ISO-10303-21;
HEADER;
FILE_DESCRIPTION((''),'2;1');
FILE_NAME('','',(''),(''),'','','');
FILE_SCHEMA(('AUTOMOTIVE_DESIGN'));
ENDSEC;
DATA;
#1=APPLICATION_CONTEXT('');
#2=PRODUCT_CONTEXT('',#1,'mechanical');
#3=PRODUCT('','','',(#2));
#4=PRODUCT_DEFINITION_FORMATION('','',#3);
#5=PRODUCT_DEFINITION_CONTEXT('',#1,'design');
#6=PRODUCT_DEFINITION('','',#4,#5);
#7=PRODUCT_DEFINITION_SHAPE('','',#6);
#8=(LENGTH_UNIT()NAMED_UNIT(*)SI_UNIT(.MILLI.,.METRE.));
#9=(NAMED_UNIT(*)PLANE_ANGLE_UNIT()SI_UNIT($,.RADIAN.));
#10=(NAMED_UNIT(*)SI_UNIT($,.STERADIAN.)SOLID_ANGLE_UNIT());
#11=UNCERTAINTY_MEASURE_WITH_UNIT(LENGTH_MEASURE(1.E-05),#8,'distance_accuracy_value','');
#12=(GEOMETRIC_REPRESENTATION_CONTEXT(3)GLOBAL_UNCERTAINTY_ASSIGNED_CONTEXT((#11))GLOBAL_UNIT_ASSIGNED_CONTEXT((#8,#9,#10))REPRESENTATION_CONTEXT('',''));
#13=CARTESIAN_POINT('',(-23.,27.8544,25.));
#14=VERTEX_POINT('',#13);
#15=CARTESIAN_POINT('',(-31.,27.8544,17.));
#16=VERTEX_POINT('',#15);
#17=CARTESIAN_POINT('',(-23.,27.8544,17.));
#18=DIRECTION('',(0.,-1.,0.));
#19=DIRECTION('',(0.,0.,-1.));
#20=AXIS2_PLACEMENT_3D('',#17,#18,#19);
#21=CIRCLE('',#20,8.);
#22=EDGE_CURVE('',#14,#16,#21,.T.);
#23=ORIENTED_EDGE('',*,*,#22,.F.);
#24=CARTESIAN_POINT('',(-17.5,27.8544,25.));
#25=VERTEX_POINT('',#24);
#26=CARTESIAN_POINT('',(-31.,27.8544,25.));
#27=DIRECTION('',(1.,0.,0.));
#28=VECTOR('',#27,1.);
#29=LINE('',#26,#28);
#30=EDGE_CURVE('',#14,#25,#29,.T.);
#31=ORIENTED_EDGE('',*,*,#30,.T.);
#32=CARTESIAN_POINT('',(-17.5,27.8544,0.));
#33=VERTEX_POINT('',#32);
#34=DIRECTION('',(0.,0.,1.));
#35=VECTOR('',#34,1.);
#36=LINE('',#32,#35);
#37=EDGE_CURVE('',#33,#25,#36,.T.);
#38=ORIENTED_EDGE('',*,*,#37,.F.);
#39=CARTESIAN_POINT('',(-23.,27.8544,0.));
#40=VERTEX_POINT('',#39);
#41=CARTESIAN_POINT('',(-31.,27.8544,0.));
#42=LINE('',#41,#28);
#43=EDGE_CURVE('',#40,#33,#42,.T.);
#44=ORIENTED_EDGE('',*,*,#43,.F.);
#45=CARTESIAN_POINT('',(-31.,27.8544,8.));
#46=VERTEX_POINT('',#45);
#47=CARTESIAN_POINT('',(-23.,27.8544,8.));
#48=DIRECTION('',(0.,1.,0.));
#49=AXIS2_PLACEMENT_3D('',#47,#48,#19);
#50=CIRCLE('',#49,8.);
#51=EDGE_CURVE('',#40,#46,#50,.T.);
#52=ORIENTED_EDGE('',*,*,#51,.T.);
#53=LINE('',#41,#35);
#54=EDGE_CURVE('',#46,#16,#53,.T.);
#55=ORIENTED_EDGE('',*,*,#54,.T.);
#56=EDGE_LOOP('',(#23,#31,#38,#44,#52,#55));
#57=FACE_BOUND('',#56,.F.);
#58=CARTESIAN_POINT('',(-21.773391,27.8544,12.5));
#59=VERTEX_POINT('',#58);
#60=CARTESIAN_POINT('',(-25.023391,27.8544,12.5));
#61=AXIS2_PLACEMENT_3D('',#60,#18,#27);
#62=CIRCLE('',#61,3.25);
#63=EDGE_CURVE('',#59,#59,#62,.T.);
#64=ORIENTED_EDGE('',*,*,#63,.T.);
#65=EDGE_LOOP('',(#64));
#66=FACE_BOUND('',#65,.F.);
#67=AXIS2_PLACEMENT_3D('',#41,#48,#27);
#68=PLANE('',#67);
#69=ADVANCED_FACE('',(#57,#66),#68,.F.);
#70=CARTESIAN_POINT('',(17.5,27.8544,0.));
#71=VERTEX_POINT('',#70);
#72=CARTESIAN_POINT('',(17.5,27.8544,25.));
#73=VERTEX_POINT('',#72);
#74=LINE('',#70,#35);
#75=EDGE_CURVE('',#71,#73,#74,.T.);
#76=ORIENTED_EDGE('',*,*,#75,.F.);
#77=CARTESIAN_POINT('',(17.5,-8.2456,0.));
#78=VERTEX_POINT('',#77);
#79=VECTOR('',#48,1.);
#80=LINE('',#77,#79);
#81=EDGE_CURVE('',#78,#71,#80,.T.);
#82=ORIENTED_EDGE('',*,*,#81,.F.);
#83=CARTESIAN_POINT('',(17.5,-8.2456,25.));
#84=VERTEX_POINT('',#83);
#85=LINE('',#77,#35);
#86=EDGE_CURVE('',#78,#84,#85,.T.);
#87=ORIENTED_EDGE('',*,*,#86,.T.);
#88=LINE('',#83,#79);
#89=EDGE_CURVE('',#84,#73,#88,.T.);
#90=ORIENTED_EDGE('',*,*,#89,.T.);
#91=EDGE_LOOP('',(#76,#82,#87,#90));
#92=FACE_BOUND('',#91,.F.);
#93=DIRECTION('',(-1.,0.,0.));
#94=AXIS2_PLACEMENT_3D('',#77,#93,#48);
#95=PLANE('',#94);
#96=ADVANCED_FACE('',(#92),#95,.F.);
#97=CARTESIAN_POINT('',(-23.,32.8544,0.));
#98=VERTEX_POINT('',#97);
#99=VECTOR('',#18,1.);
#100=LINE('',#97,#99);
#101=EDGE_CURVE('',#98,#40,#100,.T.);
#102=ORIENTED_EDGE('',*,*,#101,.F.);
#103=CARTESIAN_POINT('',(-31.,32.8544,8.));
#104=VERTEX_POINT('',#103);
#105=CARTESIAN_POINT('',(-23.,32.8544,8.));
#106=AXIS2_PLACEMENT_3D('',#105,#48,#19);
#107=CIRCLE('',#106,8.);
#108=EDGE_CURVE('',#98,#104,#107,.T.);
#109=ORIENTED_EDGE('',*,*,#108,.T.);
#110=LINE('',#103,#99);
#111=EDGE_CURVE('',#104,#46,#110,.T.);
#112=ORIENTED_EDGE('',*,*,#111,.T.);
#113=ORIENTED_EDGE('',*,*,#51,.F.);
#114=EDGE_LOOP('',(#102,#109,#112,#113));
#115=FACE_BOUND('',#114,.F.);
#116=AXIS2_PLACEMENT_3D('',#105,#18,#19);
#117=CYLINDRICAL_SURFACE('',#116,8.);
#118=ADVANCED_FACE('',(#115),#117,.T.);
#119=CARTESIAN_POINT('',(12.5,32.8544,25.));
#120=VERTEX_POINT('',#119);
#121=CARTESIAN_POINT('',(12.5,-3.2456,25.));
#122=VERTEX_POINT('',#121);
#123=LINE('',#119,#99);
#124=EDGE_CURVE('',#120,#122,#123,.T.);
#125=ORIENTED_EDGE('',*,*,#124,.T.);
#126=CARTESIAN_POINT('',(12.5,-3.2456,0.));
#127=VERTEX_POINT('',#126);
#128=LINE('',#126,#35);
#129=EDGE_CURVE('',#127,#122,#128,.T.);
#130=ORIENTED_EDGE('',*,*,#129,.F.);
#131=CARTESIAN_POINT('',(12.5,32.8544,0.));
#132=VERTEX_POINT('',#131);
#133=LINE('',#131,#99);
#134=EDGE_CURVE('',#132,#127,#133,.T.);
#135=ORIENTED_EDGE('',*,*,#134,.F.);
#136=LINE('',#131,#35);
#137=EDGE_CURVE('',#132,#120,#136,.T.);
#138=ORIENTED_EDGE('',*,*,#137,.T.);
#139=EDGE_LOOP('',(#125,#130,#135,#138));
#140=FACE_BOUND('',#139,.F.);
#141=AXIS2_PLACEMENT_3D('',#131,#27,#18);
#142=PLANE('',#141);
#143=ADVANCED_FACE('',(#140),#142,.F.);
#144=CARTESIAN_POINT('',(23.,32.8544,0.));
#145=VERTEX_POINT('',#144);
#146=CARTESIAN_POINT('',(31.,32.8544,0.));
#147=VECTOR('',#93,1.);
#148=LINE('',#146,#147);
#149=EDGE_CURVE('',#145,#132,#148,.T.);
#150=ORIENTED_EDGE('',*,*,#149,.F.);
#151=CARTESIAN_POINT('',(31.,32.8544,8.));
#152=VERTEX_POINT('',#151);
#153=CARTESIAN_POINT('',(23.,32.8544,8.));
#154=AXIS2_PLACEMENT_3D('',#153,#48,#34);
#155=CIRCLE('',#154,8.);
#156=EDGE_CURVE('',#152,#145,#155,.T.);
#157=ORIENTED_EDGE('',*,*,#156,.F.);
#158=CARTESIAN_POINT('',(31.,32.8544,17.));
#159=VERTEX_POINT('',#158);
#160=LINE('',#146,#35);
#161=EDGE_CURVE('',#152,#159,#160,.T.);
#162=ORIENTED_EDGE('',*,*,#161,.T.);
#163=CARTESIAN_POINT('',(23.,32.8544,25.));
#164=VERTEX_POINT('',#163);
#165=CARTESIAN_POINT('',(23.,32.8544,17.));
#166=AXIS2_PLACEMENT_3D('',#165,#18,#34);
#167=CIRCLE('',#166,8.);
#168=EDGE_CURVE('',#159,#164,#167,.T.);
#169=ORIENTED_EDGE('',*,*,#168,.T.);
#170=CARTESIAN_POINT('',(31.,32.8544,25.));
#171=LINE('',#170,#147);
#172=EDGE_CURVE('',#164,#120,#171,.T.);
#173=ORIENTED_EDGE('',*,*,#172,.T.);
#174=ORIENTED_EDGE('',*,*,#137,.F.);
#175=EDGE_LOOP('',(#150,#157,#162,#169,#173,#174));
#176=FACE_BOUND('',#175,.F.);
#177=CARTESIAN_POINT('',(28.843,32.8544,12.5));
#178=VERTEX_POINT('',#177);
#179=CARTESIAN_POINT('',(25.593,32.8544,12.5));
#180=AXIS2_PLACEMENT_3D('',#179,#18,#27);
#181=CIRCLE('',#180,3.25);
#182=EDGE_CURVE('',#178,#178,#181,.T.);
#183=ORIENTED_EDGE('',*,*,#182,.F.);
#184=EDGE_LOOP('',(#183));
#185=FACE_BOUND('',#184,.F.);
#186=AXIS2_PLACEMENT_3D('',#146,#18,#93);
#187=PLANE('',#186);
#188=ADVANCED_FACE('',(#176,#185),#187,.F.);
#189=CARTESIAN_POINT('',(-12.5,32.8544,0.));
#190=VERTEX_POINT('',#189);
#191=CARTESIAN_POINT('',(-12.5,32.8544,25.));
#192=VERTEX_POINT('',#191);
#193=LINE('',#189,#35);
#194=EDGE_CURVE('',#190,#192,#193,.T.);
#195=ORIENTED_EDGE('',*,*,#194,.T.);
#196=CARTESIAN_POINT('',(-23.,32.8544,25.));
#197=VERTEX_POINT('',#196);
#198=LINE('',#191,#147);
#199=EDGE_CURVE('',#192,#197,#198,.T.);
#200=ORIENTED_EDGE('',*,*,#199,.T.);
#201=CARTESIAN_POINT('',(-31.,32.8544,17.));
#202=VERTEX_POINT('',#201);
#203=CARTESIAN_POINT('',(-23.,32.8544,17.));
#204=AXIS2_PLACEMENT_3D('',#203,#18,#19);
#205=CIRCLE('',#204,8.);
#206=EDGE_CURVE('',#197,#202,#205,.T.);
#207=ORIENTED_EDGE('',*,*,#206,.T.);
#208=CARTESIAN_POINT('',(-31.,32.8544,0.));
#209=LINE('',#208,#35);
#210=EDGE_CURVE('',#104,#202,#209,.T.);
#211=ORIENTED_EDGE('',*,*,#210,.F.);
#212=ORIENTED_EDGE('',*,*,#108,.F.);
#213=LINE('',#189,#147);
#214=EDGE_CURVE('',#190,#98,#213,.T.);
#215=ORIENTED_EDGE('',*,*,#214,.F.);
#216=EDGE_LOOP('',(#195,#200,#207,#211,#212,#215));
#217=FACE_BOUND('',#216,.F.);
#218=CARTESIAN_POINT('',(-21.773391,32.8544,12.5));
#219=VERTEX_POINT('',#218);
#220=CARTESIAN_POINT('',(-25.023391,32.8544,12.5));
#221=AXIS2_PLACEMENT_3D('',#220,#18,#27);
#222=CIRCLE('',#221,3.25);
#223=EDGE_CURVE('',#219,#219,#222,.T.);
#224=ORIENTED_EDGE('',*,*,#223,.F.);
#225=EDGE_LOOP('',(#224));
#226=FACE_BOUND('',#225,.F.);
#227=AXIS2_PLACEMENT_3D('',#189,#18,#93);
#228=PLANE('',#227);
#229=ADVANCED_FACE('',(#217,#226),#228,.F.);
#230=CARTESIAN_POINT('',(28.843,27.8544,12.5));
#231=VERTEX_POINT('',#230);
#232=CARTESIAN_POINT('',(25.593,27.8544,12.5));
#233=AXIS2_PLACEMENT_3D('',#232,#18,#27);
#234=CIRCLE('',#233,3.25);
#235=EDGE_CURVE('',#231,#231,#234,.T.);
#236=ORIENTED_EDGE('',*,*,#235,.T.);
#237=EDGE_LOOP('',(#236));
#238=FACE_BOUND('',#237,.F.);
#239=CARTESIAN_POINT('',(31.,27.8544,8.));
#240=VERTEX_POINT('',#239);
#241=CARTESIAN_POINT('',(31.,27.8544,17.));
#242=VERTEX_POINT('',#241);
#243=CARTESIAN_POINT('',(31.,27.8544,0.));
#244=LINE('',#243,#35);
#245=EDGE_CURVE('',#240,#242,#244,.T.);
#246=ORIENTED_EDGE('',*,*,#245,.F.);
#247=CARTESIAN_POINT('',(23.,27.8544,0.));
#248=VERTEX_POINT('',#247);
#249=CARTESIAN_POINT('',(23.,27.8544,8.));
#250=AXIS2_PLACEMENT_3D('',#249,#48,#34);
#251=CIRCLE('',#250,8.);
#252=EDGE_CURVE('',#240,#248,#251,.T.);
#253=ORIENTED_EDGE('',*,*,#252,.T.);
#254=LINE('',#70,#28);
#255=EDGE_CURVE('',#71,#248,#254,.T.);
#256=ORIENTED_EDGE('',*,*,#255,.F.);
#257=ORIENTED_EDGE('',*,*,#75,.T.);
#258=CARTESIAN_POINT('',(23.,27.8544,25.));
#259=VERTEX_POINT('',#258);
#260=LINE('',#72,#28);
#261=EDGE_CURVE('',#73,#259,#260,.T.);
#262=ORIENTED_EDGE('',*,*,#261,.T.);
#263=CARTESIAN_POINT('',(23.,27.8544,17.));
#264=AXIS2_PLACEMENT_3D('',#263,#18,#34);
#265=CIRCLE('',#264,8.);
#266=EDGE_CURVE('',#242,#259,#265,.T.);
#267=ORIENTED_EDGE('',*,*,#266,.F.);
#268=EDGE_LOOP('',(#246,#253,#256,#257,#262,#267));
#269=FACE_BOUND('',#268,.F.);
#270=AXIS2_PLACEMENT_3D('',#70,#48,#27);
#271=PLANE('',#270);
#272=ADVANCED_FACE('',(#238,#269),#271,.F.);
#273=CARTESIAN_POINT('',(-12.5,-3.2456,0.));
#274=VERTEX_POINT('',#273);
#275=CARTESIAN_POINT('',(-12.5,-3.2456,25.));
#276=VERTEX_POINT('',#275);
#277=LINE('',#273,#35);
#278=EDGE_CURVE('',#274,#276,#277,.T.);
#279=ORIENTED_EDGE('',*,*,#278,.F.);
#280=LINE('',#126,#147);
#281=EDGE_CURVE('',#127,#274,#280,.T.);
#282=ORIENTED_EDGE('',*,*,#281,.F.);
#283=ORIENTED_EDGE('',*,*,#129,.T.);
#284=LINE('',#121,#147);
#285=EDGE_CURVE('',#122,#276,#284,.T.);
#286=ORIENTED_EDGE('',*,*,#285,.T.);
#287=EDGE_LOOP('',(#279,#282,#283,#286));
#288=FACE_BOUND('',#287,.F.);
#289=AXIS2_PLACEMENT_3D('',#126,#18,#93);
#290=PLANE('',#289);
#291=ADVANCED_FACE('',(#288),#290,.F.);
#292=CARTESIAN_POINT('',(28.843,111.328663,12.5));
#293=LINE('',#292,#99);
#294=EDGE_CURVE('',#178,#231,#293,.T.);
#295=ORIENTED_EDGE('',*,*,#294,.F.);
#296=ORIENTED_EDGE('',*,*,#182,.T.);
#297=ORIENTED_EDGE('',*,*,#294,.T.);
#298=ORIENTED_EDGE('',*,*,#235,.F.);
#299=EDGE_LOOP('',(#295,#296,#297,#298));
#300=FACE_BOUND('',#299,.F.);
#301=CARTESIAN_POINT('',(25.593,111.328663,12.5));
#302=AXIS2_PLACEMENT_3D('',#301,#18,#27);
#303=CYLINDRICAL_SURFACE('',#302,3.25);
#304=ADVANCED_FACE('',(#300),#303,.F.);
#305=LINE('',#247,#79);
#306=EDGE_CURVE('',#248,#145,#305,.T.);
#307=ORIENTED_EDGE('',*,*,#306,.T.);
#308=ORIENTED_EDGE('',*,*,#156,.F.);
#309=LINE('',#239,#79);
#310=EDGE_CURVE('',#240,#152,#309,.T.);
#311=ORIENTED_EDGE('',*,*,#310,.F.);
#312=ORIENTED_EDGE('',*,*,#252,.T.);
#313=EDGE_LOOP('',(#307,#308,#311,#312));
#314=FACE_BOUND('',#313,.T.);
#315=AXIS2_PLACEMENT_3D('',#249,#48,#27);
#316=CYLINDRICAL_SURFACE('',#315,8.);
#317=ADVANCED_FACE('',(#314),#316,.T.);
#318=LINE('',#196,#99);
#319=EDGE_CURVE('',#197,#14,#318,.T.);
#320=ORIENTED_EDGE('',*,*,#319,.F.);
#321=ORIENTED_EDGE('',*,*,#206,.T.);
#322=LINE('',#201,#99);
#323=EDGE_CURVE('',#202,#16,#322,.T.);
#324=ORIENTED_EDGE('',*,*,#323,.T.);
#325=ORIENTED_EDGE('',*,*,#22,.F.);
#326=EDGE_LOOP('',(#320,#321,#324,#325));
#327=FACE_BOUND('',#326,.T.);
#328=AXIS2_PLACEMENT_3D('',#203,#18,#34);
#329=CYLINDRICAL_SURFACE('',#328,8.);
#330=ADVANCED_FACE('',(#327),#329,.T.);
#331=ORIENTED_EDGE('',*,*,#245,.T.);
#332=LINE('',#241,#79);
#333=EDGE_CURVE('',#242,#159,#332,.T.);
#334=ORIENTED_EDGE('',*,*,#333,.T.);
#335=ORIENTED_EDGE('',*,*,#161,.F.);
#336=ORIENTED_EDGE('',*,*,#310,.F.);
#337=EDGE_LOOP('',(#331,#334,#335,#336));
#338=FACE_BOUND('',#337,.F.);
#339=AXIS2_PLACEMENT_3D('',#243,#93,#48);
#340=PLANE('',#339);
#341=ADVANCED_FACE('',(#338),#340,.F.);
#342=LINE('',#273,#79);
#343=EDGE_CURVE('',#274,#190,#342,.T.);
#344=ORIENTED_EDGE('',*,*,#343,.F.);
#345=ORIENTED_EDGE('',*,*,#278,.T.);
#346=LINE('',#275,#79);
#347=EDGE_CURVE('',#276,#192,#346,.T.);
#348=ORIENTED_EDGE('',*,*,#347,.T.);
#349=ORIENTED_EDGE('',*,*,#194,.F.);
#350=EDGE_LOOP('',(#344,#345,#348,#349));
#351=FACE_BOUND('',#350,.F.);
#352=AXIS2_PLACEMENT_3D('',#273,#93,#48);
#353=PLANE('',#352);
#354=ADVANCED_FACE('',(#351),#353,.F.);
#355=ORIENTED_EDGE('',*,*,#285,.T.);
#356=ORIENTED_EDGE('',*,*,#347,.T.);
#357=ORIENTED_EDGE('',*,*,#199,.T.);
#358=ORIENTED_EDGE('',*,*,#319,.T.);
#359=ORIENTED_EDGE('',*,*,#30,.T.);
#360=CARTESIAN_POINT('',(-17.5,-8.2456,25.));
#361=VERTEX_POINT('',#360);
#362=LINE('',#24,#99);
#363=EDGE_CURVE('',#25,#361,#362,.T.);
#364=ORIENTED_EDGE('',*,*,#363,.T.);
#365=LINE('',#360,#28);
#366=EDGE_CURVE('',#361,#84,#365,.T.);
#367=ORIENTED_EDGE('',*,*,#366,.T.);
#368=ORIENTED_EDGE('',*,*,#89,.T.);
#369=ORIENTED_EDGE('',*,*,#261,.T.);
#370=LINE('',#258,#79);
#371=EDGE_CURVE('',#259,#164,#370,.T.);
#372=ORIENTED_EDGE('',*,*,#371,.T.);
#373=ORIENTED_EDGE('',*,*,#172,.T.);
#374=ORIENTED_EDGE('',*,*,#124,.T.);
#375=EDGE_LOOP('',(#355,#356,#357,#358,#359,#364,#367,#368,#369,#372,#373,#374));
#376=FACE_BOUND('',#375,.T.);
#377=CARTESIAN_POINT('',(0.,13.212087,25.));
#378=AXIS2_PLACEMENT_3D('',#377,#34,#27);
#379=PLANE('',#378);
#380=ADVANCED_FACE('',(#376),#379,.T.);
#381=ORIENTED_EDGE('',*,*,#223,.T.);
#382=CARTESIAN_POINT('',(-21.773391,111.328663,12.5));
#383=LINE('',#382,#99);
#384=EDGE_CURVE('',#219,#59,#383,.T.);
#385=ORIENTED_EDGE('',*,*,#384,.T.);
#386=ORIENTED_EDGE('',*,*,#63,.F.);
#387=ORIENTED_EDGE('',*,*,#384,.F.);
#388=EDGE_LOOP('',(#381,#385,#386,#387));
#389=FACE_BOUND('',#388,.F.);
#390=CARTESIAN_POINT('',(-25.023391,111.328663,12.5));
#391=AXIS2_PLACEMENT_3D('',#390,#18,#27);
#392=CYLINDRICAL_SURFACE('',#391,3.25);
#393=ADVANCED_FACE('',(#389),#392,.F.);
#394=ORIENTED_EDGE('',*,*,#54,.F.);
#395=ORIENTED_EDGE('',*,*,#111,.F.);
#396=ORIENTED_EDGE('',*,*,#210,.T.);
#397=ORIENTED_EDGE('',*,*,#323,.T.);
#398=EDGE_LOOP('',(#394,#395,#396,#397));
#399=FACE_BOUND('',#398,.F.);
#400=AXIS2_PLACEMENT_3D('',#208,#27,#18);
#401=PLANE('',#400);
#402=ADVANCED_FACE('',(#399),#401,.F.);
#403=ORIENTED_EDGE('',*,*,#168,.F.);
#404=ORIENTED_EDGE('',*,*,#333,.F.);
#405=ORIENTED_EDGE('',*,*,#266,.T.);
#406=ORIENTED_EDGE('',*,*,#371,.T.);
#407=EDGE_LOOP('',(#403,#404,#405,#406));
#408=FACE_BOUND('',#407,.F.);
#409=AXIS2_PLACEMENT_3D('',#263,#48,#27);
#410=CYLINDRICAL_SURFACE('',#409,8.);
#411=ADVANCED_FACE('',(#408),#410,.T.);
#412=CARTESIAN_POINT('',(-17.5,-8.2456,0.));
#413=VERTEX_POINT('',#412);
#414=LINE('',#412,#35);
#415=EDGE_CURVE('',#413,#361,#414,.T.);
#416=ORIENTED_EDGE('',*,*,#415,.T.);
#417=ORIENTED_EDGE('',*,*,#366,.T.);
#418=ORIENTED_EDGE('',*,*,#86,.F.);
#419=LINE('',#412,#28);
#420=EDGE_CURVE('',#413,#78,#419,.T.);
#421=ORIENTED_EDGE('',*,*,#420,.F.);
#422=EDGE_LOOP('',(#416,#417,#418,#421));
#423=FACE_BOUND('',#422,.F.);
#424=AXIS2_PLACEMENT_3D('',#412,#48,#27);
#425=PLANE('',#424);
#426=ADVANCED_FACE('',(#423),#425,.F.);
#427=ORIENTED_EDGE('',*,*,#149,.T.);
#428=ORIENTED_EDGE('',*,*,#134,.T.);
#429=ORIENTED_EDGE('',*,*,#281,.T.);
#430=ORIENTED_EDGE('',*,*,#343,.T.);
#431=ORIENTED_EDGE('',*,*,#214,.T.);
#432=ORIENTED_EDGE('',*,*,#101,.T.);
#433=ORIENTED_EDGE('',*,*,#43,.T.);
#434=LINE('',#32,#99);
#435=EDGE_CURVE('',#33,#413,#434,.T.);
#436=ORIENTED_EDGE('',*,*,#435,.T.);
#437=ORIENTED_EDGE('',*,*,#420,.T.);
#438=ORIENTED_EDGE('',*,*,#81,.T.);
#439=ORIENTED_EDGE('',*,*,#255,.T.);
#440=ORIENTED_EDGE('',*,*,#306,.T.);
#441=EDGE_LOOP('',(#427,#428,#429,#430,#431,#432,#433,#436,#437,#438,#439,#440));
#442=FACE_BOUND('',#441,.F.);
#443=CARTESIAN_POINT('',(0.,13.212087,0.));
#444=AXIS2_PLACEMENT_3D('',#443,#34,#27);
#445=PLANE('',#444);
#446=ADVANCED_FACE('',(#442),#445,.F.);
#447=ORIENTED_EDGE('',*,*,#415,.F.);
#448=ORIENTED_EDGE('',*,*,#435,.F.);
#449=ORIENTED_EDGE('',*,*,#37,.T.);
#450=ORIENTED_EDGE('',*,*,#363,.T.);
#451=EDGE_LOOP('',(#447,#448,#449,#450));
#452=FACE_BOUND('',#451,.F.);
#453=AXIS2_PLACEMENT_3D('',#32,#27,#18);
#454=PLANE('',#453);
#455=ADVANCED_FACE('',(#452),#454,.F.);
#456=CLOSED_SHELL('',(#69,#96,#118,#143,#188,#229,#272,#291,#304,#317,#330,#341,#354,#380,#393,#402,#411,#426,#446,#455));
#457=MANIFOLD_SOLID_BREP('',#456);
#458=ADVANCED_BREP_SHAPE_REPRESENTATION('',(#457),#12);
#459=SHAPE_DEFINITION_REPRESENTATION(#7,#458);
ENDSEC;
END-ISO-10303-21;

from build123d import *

# Parameters (mm, degrees)
F1_DEPTH = 25
F3_D     = 6.5
F4_D     = 6.5
F5_R     = 8


with BuildPart() as f1:
    # F0 (on Top) → F1 (new body)
    with BuildSketch(Plane.XY):
        Polygon((31, 27.8544), (31, 32.8544), (12.5, 32.8544), (12.5, -3.2456), (0, -3.2456), (-12.5, -3.2456), (-12.5, 32.8544), (-31, 32.8544), (-31, 27.8544), (-17.5, 27.8544), (-17.5, -8.2456), (0, -8.2456), (17.5, -8.2456), (17.5, 27.8544), align=None)
    extrude(amount=F1_DEPTH)

    # F3 (through all)
    with Locations(Plane(origin=(0, 32.8544, 0), x_dir=(-1, 0, 0), z_dir=(0, 1, 0))):
        with Locations((25.023391, 12.5)):
            Hole(F3_D / 2)

    # F4 (through all)
    with Locations(Plane(origin=(0, 32.8544, 0), x_dir=(-1, 0, 0), z_dir=(0, 1, 0))):
        with Locations((-25.593, 12.5)):
            Hole(F4_D / 2)

    # F5
    f5_edges = [f1.edges().sort_by_distance(p)[0] for p in [
        (-31, 30.3544, 25),
        (-31, 30.3544, 0),
        (31, 30.3544, 25),
        (31, 30.3544, 0),
    ]]
    fillet(f5_edges, radius=F5_R)


solid = f1.part
